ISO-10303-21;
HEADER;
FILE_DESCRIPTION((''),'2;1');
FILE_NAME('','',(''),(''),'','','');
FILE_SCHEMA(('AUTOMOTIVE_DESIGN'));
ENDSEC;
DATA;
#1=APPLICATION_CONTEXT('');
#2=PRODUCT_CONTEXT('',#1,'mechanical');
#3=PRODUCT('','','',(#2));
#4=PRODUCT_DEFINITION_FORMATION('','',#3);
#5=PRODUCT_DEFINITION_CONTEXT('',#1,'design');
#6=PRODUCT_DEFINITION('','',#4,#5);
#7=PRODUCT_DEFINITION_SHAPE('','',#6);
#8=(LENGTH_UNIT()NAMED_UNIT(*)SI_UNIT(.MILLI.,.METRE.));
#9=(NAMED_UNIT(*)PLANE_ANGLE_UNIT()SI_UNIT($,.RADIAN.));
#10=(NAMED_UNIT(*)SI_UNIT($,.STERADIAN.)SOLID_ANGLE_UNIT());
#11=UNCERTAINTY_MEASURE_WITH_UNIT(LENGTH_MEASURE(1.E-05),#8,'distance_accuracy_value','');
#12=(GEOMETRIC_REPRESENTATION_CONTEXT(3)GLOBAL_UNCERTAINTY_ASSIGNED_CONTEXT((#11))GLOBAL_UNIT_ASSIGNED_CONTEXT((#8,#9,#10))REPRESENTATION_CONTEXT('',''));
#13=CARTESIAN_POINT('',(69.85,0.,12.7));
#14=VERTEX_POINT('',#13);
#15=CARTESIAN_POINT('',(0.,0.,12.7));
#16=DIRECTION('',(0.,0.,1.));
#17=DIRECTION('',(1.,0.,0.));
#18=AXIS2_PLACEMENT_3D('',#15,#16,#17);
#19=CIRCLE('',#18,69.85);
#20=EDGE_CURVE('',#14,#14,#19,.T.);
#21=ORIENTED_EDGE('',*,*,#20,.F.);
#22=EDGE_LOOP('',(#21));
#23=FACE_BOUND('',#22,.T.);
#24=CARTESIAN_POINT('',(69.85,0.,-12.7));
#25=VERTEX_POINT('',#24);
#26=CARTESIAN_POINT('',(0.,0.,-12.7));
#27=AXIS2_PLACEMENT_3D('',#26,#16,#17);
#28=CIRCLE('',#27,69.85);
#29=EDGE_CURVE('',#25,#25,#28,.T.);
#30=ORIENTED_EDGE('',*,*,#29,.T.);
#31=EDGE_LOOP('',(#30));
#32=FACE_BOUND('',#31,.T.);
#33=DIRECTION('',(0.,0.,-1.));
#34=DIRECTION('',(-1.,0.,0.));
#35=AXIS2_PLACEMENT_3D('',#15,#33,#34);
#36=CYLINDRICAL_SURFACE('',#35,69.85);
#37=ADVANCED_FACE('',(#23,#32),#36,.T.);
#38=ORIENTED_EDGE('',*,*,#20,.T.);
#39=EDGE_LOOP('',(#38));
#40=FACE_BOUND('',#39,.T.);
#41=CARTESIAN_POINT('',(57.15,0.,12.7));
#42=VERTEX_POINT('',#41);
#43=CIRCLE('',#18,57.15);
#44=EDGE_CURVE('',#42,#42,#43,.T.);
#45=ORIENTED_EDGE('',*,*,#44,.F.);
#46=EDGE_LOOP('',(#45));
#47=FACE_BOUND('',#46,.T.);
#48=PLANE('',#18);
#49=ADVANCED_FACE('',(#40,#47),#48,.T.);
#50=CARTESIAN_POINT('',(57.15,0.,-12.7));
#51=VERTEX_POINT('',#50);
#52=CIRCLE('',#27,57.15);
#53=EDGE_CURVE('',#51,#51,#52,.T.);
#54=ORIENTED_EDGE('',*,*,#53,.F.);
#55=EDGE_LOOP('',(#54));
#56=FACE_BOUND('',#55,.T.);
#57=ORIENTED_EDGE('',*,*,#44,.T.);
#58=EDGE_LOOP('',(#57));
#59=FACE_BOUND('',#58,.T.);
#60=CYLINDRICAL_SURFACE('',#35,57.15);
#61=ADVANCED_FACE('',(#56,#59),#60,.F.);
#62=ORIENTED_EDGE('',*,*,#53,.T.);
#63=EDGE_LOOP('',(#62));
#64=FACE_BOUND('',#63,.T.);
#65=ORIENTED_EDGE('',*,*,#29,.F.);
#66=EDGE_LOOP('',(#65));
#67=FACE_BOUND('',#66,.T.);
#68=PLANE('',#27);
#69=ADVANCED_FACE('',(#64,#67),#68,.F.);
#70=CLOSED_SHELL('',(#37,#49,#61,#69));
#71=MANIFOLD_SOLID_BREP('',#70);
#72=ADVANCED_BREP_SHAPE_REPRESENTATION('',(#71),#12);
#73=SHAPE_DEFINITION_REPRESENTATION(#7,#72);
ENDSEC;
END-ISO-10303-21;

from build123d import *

# Parameters (mm, degrees)
BOSS_EXTRUDE1_DEPTH      = 12.7
BOSS_EXTRUDE1_DEPTH_BACK = 12.7
SKETCH3_R                = 69.85
SKETCH3_R_2              = 57.15


with BuildPart() as part:
    # Sketch3 → Boss-Extrude1 (new, two sides: drawn at the far end of the back side and taken through both)
    with BuildSketch(Plane.XY.offset(-BOSS_EXTRUDE1_DEPTH_BACK)):
        Circle(SKETCH3_R)
        Circle(SKETCH3_R_2, mode=Mode.SUBTRACT)
    extrude(amount=BOSS_EXTRUDE1_DEPTH + BOSS_EXTRUDE1_DEPTH_BACK)


solid = part.part
